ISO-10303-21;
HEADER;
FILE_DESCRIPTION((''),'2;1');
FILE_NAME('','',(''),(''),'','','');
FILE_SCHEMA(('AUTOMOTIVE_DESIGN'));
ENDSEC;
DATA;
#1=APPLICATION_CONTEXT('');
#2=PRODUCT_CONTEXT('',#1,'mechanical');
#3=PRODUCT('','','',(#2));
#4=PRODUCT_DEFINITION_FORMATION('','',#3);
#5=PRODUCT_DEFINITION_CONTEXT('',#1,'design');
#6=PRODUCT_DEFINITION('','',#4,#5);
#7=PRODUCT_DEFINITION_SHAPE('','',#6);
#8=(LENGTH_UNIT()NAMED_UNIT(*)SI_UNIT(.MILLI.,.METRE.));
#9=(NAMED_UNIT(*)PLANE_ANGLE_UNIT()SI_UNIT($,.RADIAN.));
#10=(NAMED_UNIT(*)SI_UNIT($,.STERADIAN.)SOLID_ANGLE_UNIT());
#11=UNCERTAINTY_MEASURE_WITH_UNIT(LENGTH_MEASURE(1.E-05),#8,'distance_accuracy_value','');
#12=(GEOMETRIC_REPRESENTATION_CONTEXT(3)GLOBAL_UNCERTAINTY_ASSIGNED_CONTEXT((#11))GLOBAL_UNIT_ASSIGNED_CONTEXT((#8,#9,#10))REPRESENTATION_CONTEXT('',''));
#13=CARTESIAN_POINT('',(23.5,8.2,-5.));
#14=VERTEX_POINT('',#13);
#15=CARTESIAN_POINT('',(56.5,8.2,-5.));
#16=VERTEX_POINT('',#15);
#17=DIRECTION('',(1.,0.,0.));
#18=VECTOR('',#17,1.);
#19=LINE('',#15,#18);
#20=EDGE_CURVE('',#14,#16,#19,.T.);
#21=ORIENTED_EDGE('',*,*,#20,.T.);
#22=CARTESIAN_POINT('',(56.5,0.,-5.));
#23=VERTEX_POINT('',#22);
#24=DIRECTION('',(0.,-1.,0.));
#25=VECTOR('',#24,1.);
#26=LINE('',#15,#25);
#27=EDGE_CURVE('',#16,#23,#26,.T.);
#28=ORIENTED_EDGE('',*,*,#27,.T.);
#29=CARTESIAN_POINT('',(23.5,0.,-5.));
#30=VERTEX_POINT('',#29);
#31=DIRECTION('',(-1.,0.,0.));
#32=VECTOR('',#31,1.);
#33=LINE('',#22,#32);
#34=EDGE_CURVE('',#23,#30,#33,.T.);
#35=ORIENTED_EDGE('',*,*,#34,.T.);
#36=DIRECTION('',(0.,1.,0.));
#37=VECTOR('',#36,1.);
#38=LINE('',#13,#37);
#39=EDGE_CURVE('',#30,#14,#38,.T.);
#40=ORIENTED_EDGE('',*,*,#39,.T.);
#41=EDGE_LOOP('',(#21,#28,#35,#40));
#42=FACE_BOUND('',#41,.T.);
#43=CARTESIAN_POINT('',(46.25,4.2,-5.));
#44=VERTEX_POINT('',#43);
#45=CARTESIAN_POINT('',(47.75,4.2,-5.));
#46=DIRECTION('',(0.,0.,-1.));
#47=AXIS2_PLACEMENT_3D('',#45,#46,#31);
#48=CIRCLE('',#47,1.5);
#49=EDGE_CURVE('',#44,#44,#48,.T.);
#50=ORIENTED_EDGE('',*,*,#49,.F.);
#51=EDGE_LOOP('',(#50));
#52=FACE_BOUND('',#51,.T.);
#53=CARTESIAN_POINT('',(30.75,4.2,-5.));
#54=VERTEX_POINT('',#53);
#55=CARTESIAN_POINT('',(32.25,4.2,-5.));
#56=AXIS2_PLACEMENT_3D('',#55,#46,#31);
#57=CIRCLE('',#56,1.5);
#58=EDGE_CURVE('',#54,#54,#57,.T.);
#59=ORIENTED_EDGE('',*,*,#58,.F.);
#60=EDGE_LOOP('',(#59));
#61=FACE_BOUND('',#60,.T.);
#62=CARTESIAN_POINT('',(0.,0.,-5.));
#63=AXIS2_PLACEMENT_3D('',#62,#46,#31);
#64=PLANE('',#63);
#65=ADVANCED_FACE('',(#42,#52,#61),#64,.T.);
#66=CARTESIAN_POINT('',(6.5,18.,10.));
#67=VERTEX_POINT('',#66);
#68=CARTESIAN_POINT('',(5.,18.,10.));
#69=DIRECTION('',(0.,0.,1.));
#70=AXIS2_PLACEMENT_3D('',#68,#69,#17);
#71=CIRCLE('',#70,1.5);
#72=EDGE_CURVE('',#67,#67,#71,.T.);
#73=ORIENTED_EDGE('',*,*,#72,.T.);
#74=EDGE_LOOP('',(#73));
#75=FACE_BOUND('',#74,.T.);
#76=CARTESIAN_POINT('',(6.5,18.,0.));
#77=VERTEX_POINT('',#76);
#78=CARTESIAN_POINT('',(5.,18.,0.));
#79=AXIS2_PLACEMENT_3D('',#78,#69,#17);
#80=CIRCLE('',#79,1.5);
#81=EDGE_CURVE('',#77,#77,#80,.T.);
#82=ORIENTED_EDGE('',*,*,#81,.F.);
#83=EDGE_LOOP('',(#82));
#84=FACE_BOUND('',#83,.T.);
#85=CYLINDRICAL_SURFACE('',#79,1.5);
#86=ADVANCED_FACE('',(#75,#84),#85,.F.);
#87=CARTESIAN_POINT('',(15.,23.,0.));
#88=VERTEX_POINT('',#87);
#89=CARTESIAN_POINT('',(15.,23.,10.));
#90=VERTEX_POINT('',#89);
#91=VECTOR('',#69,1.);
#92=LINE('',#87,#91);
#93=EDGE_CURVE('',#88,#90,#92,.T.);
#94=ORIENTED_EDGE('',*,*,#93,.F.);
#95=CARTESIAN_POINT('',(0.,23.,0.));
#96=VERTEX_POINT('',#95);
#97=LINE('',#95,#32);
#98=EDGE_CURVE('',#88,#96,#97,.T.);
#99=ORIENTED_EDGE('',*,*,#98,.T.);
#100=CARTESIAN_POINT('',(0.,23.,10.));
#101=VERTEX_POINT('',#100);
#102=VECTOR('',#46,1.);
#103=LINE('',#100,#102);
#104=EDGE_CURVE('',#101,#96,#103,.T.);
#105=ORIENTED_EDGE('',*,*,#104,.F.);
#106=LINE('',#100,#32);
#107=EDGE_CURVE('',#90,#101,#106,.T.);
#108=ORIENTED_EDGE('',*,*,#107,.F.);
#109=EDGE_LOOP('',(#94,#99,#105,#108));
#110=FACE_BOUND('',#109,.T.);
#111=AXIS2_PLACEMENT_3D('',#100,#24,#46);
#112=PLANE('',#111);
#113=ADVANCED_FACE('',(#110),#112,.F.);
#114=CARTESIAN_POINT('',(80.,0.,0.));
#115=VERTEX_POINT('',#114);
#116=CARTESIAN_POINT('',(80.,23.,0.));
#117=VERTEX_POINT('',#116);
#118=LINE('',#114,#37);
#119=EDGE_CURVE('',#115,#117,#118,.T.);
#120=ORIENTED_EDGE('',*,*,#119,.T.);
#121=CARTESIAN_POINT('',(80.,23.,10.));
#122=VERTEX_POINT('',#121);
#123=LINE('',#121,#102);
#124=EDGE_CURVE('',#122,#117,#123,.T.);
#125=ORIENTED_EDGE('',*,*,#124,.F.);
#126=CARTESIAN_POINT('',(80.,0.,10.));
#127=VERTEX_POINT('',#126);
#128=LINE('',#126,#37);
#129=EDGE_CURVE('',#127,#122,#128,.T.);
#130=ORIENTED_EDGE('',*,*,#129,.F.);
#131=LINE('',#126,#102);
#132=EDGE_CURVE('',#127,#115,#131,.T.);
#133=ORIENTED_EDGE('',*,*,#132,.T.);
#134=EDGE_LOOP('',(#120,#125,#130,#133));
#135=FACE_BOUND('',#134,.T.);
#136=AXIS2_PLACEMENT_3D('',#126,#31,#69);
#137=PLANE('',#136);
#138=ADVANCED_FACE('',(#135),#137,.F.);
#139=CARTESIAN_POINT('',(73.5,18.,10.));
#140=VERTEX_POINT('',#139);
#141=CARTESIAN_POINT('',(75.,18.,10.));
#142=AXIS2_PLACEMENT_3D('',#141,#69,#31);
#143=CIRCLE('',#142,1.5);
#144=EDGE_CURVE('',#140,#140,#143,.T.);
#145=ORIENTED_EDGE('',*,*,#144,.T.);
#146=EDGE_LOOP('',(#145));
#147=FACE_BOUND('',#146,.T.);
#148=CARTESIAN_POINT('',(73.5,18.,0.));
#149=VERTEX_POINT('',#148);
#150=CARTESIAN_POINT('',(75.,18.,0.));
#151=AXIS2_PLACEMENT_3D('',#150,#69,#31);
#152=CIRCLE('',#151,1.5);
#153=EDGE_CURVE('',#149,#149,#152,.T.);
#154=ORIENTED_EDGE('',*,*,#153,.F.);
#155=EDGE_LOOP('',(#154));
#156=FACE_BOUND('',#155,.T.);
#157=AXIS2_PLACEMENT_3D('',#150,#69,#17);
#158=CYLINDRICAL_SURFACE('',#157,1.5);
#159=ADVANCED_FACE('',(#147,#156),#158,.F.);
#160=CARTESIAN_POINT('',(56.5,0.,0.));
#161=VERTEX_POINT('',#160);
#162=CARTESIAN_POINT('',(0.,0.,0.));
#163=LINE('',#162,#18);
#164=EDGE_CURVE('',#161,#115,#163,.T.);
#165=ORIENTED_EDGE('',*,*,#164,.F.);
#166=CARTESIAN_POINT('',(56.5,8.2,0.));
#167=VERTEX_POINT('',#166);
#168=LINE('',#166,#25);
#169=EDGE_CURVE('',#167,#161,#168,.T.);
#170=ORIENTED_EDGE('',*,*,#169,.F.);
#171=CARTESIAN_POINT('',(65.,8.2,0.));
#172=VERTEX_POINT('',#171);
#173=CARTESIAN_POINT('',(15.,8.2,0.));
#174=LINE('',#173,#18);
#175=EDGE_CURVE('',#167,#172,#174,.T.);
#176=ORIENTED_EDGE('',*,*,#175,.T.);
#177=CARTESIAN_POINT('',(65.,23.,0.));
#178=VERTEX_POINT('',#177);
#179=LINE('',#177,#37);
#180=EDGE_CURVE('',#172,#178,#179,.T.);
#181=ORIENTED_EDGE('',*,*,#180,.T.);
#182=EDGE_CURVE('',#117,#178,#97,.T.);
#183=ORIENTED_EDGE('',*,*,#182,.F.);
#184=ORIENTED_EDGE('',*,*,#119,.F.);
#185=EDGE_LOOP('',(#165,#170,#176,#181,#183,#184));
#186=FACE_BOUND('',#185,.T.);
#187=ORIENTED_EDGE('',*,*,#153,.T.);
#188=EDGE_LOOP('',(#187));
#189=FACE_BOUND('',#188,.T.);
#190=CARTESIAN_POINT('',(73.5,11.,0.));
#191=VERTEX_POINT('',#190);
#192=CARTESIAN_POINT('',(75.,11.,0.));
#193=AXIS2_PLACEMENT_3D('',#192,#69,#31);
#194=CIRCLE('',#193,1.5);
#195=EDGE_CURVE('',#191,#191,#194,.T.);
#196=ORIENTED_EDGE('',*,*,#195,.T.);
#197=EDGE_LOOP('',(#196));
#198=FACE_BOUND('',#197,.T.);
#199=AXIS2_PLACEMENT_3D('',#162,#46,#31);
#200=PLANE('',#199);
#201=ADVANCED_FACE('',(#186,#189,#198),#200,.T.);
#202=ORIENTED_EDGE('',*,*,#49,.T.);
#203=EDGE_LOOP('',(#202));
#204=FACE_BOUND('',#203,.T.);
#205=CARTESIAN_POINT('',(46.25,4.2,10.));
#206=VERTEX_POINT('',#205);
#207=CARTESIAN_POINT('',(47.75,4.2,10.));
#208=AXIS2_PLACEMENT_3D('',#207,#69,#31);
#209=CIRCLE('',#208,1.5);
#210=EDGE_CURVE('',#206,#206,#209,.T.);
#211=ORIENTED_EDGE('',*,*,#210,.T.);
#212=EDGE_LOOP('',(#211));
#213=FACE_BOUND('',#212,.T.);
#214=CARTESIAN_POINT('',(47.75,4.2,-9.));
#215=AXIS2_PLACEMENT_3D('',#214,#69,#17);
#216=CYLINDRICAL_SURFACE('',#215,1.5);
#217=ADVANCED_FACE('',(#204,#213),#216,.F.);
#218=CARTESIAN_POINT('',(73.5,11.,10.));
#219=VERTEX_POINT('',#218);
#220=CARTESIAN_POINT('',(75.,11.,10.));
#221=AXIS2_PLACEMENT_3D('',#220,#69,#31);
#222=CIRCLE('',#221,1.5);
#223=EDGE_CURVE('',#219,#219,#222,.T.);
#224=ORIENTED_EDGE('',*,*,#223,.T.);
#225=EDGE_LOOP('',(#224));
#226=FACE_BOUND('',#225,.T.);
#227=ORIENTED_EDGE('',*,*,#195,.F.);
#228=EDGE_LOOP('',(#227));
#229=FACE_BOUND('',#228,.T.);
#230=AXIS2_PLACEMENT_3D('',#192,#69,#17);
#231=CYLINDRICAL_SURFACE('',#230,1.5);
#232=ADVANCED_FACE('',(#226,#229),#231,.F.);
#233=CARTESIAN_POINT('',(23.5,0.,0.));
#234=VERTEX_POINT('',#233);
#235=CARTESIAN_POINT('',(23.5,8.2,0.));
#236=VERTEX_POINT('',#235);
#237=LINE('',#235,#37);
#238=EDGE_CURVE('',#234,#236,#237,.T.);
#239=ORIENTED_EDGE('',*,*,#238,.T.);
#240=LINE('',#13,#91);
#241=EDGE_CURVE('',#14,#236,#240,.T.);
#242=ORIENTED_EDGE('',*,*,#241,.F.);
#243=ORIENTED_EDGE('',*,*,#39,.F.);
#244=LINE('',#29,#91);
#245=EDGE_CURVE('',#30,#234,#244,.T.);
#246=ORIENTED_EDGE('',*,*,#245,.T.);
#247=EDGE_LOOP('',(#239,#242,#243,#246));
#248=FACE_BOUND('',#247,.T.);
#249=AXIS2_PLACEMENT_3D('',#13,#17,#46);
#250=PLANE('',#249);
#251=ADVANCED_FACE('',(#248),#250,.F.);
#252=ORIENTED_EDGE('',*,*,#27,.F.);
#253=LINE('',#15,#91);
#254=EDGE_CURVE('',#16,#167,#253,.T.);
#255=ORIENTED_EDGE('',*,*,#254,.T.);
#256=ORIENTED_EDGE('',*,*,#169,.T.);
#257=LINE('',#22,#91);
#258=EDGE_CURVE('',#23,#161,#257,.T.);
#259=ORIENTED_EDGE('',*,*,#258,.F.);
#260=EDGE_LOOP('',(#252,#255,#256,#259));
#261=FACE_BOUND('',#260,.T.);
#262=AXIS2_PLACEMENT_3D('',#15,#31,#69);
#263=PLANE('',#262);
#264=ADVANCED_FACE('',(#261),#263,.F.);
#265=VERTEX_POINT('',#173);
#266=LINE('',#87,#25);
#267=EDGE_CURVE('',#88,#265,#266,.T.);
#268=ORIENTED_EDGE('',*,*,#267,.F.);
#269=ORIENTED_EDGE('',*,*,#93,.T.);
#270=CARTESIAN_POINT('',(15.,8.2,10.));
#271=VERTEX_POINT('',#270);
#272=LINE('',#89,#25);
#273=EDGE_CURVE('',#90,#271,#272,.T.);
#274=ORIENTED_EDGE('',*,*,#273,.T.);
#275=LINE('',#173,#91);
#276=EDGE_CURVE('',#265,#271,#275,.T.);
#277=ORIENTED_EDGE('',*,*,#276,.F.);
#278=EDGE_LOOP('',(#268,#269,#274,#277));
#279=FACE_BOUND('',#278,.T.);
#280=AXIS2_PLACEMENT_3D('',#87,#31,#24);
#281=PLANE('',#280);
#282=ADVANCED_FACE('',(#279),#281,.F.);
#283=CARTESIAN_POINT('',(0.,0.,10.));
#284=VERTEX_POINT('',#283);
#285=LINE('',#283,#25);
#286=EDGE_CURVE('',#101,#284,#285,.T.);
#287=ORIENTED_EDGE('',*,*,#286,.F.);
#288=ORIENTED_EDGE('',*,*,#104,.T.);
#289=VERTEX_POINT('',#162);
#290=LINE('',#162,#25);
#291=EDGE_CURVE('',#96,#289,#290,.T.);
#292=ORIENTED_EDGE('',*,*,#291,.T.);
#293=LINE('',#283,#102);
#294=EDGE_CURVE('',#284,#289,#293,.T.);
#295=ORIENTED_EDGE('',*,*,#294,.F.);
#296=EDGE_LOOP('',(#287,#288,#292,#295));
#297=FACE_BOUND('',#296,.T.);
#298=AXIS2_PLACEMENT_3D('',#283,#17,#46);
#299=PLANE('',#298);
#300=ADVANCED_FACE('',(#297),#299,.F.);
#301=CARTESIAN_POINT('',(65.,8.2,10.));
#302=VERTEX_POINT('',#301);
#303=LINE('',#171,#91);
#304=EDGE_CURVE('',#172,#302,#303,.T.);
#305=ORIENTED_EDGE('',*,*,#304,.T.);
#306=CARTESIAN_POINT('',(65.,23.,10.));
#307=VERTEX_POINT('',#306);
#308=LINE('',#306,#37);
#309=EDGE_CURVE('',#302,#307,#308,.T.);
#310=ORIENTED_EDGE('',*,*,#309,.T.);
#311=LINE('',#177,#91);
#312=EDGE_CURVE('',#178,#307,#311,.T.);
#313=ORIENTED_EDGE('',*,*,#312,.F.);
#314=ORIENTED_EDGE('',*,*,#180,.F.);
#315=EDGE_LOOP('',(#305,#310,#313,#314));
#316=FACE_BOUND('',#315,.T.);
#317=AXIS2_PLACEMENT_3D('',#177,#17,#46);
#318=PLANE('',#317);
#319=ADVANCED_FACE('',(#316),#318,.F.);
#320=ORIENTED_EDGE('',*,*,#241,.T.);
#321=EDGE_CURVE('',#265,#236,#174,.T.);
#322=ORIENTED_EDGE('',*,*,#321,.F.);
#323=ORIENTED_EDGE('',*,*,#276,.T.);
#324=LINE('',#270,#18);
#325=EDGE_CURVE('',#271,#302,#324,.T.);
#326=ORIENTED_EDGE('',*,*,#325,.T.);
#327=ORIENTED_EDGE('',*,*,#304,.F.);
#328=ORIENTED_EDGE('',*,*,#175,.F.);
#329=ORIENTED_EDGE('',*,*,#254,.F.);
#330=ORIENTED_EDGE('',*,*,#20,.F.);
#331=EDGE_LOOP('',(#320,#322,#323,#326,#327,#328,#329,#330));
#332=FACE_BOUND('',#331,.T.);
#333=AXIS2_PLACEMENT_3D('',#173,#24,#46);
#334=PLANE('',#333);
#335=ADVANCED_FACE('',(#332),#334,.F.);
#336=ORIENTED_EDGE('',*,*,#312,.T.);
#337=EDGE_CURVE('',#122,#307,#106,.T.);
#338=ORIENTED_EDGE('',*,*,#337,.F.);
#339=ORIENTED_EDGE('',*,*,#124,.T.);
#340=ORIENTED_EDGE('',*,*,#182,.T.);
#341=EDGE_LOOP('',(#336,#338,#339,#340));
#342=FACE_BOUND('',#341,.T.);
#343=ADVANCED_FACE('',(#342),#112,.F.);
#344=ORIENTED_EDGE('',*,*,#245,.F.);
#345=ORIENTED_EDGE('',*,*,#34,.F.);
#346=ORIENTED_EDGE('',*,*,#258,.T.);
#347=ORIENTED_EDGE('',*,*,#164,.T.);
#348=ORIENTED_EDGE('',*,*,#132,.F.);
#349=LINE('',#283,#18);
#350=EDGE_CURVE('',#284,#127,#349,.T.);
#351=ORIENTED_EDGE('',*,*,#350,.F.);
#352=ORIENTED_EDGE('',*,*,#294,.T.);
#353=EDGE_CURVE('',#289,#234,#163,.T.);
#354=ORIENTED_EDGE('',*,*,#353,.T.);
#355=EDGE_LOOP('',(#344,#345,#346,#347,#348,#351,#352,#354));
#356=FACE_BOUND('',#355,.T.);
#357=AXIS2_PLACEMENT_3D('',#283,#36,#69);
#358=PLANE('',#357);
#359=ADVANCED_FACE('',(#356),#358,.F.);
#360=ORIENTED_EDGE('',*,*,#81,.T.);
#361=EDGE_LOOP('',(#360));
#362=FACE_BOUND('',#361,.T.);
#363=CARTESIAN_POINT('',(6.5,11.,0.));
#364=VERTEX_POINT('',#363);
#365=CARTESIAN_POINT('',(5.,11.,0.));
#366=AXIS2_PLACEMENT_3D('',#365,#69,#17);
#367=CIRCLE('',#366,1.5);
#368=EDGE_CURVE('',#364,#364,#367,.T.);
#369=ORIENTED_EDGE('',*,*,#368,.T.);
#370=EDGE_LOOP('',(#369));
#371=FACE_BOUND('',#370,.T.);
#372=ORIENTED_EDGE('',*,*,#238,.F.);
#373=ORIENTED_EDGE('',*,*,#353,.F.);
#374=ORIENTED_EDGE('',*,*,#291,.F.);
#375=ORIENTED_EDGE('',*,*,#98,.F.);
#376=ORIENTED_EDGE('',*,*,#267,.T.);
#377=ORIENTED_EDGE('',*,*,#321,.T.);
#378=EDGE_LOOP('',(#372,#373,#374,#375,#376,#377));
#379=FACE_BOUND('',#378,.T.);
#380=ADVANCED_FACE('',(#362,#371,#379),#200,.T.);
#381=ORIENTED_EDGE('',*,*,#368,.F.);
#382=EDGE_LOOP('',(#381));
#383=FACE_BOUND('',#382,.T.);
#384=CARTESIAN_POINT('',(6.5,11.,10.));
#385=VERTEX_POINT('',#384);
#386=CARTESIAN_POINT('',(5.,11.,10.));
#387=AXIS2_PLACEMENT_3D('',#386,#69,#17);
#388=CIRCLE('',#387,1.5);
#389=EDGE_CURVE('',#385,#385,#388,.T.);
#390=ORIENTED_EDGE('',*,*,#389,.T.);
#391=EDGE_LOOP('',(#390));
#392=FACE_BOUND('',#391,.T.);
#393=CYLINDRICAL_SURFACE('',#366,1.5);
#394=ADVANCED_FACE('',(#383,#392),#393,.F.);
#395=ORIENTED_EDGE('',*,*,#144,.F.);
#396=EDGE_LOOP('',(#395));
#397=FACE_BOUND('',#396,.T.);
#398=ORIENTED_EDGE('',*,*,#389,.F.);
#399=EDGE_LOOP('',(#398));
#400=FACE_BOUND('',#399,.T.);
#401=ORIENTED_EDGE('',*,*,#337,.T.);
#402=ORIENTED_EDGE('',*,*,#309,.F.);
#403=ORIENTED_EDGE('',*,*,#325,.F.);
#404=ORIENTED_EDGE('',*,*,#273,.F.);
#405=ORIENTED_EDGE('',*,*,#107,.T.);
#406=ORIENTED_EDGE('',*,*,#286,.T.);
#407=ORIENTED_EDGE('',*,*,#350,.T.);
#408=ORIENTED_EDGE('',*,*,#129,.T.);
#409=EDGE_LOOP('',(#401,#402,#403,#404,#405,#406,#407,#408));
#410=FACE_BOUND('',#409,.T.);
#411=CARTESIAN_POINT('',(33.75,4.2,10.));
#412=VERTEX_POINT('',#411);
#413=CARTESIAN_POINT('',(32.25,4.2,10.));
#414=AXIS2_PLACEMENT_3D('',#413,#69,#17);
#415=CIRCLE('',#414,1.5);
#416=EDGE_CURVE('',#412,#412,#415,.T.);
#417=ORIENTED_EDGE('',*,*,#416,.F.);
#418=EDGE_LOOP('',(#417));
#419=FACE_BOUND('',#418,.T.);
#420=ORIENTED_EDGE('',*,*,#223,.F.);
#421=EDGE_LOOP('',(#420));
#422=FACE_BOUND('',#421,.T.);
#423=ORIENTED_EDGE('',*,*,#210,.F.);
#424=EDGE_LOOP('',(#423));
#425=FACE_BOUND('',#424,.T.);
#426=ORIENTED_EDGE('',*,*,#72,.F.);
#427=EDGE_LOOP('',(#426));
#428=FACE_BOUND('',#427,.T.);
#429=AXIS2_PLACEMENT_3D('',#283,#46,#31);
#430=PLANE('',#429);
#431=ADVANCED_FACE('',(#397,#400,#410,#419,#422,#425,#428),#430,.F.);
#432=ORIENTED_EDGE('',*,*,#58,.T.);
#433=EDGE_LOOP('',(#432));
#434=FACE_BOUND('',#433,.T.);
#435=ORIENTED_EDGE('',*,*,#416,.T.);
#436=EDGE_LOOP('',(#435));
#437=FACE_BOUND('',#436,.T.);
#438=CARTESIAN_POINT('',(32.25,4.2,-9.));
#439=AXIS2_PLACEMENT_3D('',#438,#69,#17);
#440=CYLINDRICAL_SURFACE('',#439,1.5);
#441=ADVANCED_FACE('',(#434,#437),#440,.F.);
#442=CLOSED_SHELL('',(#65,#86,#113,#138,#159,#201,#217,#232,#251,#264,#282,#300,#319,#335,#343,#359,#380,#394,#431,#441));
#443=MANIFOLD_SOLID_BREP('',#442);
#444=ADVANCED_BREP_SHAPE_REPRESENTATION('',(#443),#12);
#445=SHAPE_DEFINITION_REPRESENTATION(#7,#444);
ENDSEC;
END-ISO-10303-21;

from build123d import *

# Parameters (mm, degrees)
SKETCH1_W           = 80
SKETCH1_H           = 23
BOSS_EXTRUDE3_DEPTH = 10
SKETCH4_W           = 50
SKETCH4_H           = 14.8
CUT_EXTRUDE1_DEPTH  = 10
SKETCH6_R           = 1.5
CUT_EXTRUDE5_DEPTH  = 10
SKETCH7_W           = 33
SKETCH7_H           = 8.2
BOSS_EXTRUDE4_DEPTH = 5
SKETCH5_R           = 1.5
CUT_EXTRUDE2_DEPTH  = 19


with BuildPart() as part:
    # Sketch1 → Boss-Extrude3 (new body)
    with BuildSketch(Plane.XY):
        with Locations((40, 11.5)):
            Rectangle(SKETCH1_W, SKETCH1_H)
    extrude(amount=BOSS_EXTRUDE3_DEPTH)

    # Sketch4 → Cut-Extrude1 (cut)
    with BuildSketch(Plane.XY.offset(10)):
        with Locations((40, 15.6)):
            Rectangle(SKETCH4_W, SKETCH4_H)
    extrude(amount=-CUT_EXTRUDE1_DEPTH, mode=Mode.SUBTRACT)

    # Sketch6 → Cut-Extrude5 (cut)
    with BuildSketch(Plane.XY.offset(10)):
        with Locations((5, 18)):
            Circle(SKETCH6_R)
        with Locations((5, 11)):
            Circle(SKETCH6_R)
        with Locations((75, 11)):
            Circle(SKETCH6_R)
        with Locations((75, 18)):
            Circle(SKETCH6_R)
    extrude(amount=-CUT_EXTRUDE5_DEPTH, mode=Mode.SUBTRACT)

    # Sketch7 → Boss-Extrude4 (add)
    with BuildSketch(Plane(origin=(0, 0, 0), x_dir=(-1, 0, 0), z_dir=(0, 0, -1))):
        with Locations((-40, 4.1)):
            Rectangle(SKETCH7_W, SKETCH7_H)
    extrude(amount=BOSS_EXTRUDE4_DEPTH)

    # Sketch5 → Cut-Extrude2 (cut)
    with BuildSketch(Plane.XY.offset(10)):
        with Locations((32.25, 4.2)):
            Circle(SKETCH5_R)
        with Locations((47.75, 4.2)):
            Circle(SKETCH5_R)
    extrude(amount=-CUT_EXTRUDE2_DEPTH, mode=Mode.SUBTRACT)


solid = part.part
